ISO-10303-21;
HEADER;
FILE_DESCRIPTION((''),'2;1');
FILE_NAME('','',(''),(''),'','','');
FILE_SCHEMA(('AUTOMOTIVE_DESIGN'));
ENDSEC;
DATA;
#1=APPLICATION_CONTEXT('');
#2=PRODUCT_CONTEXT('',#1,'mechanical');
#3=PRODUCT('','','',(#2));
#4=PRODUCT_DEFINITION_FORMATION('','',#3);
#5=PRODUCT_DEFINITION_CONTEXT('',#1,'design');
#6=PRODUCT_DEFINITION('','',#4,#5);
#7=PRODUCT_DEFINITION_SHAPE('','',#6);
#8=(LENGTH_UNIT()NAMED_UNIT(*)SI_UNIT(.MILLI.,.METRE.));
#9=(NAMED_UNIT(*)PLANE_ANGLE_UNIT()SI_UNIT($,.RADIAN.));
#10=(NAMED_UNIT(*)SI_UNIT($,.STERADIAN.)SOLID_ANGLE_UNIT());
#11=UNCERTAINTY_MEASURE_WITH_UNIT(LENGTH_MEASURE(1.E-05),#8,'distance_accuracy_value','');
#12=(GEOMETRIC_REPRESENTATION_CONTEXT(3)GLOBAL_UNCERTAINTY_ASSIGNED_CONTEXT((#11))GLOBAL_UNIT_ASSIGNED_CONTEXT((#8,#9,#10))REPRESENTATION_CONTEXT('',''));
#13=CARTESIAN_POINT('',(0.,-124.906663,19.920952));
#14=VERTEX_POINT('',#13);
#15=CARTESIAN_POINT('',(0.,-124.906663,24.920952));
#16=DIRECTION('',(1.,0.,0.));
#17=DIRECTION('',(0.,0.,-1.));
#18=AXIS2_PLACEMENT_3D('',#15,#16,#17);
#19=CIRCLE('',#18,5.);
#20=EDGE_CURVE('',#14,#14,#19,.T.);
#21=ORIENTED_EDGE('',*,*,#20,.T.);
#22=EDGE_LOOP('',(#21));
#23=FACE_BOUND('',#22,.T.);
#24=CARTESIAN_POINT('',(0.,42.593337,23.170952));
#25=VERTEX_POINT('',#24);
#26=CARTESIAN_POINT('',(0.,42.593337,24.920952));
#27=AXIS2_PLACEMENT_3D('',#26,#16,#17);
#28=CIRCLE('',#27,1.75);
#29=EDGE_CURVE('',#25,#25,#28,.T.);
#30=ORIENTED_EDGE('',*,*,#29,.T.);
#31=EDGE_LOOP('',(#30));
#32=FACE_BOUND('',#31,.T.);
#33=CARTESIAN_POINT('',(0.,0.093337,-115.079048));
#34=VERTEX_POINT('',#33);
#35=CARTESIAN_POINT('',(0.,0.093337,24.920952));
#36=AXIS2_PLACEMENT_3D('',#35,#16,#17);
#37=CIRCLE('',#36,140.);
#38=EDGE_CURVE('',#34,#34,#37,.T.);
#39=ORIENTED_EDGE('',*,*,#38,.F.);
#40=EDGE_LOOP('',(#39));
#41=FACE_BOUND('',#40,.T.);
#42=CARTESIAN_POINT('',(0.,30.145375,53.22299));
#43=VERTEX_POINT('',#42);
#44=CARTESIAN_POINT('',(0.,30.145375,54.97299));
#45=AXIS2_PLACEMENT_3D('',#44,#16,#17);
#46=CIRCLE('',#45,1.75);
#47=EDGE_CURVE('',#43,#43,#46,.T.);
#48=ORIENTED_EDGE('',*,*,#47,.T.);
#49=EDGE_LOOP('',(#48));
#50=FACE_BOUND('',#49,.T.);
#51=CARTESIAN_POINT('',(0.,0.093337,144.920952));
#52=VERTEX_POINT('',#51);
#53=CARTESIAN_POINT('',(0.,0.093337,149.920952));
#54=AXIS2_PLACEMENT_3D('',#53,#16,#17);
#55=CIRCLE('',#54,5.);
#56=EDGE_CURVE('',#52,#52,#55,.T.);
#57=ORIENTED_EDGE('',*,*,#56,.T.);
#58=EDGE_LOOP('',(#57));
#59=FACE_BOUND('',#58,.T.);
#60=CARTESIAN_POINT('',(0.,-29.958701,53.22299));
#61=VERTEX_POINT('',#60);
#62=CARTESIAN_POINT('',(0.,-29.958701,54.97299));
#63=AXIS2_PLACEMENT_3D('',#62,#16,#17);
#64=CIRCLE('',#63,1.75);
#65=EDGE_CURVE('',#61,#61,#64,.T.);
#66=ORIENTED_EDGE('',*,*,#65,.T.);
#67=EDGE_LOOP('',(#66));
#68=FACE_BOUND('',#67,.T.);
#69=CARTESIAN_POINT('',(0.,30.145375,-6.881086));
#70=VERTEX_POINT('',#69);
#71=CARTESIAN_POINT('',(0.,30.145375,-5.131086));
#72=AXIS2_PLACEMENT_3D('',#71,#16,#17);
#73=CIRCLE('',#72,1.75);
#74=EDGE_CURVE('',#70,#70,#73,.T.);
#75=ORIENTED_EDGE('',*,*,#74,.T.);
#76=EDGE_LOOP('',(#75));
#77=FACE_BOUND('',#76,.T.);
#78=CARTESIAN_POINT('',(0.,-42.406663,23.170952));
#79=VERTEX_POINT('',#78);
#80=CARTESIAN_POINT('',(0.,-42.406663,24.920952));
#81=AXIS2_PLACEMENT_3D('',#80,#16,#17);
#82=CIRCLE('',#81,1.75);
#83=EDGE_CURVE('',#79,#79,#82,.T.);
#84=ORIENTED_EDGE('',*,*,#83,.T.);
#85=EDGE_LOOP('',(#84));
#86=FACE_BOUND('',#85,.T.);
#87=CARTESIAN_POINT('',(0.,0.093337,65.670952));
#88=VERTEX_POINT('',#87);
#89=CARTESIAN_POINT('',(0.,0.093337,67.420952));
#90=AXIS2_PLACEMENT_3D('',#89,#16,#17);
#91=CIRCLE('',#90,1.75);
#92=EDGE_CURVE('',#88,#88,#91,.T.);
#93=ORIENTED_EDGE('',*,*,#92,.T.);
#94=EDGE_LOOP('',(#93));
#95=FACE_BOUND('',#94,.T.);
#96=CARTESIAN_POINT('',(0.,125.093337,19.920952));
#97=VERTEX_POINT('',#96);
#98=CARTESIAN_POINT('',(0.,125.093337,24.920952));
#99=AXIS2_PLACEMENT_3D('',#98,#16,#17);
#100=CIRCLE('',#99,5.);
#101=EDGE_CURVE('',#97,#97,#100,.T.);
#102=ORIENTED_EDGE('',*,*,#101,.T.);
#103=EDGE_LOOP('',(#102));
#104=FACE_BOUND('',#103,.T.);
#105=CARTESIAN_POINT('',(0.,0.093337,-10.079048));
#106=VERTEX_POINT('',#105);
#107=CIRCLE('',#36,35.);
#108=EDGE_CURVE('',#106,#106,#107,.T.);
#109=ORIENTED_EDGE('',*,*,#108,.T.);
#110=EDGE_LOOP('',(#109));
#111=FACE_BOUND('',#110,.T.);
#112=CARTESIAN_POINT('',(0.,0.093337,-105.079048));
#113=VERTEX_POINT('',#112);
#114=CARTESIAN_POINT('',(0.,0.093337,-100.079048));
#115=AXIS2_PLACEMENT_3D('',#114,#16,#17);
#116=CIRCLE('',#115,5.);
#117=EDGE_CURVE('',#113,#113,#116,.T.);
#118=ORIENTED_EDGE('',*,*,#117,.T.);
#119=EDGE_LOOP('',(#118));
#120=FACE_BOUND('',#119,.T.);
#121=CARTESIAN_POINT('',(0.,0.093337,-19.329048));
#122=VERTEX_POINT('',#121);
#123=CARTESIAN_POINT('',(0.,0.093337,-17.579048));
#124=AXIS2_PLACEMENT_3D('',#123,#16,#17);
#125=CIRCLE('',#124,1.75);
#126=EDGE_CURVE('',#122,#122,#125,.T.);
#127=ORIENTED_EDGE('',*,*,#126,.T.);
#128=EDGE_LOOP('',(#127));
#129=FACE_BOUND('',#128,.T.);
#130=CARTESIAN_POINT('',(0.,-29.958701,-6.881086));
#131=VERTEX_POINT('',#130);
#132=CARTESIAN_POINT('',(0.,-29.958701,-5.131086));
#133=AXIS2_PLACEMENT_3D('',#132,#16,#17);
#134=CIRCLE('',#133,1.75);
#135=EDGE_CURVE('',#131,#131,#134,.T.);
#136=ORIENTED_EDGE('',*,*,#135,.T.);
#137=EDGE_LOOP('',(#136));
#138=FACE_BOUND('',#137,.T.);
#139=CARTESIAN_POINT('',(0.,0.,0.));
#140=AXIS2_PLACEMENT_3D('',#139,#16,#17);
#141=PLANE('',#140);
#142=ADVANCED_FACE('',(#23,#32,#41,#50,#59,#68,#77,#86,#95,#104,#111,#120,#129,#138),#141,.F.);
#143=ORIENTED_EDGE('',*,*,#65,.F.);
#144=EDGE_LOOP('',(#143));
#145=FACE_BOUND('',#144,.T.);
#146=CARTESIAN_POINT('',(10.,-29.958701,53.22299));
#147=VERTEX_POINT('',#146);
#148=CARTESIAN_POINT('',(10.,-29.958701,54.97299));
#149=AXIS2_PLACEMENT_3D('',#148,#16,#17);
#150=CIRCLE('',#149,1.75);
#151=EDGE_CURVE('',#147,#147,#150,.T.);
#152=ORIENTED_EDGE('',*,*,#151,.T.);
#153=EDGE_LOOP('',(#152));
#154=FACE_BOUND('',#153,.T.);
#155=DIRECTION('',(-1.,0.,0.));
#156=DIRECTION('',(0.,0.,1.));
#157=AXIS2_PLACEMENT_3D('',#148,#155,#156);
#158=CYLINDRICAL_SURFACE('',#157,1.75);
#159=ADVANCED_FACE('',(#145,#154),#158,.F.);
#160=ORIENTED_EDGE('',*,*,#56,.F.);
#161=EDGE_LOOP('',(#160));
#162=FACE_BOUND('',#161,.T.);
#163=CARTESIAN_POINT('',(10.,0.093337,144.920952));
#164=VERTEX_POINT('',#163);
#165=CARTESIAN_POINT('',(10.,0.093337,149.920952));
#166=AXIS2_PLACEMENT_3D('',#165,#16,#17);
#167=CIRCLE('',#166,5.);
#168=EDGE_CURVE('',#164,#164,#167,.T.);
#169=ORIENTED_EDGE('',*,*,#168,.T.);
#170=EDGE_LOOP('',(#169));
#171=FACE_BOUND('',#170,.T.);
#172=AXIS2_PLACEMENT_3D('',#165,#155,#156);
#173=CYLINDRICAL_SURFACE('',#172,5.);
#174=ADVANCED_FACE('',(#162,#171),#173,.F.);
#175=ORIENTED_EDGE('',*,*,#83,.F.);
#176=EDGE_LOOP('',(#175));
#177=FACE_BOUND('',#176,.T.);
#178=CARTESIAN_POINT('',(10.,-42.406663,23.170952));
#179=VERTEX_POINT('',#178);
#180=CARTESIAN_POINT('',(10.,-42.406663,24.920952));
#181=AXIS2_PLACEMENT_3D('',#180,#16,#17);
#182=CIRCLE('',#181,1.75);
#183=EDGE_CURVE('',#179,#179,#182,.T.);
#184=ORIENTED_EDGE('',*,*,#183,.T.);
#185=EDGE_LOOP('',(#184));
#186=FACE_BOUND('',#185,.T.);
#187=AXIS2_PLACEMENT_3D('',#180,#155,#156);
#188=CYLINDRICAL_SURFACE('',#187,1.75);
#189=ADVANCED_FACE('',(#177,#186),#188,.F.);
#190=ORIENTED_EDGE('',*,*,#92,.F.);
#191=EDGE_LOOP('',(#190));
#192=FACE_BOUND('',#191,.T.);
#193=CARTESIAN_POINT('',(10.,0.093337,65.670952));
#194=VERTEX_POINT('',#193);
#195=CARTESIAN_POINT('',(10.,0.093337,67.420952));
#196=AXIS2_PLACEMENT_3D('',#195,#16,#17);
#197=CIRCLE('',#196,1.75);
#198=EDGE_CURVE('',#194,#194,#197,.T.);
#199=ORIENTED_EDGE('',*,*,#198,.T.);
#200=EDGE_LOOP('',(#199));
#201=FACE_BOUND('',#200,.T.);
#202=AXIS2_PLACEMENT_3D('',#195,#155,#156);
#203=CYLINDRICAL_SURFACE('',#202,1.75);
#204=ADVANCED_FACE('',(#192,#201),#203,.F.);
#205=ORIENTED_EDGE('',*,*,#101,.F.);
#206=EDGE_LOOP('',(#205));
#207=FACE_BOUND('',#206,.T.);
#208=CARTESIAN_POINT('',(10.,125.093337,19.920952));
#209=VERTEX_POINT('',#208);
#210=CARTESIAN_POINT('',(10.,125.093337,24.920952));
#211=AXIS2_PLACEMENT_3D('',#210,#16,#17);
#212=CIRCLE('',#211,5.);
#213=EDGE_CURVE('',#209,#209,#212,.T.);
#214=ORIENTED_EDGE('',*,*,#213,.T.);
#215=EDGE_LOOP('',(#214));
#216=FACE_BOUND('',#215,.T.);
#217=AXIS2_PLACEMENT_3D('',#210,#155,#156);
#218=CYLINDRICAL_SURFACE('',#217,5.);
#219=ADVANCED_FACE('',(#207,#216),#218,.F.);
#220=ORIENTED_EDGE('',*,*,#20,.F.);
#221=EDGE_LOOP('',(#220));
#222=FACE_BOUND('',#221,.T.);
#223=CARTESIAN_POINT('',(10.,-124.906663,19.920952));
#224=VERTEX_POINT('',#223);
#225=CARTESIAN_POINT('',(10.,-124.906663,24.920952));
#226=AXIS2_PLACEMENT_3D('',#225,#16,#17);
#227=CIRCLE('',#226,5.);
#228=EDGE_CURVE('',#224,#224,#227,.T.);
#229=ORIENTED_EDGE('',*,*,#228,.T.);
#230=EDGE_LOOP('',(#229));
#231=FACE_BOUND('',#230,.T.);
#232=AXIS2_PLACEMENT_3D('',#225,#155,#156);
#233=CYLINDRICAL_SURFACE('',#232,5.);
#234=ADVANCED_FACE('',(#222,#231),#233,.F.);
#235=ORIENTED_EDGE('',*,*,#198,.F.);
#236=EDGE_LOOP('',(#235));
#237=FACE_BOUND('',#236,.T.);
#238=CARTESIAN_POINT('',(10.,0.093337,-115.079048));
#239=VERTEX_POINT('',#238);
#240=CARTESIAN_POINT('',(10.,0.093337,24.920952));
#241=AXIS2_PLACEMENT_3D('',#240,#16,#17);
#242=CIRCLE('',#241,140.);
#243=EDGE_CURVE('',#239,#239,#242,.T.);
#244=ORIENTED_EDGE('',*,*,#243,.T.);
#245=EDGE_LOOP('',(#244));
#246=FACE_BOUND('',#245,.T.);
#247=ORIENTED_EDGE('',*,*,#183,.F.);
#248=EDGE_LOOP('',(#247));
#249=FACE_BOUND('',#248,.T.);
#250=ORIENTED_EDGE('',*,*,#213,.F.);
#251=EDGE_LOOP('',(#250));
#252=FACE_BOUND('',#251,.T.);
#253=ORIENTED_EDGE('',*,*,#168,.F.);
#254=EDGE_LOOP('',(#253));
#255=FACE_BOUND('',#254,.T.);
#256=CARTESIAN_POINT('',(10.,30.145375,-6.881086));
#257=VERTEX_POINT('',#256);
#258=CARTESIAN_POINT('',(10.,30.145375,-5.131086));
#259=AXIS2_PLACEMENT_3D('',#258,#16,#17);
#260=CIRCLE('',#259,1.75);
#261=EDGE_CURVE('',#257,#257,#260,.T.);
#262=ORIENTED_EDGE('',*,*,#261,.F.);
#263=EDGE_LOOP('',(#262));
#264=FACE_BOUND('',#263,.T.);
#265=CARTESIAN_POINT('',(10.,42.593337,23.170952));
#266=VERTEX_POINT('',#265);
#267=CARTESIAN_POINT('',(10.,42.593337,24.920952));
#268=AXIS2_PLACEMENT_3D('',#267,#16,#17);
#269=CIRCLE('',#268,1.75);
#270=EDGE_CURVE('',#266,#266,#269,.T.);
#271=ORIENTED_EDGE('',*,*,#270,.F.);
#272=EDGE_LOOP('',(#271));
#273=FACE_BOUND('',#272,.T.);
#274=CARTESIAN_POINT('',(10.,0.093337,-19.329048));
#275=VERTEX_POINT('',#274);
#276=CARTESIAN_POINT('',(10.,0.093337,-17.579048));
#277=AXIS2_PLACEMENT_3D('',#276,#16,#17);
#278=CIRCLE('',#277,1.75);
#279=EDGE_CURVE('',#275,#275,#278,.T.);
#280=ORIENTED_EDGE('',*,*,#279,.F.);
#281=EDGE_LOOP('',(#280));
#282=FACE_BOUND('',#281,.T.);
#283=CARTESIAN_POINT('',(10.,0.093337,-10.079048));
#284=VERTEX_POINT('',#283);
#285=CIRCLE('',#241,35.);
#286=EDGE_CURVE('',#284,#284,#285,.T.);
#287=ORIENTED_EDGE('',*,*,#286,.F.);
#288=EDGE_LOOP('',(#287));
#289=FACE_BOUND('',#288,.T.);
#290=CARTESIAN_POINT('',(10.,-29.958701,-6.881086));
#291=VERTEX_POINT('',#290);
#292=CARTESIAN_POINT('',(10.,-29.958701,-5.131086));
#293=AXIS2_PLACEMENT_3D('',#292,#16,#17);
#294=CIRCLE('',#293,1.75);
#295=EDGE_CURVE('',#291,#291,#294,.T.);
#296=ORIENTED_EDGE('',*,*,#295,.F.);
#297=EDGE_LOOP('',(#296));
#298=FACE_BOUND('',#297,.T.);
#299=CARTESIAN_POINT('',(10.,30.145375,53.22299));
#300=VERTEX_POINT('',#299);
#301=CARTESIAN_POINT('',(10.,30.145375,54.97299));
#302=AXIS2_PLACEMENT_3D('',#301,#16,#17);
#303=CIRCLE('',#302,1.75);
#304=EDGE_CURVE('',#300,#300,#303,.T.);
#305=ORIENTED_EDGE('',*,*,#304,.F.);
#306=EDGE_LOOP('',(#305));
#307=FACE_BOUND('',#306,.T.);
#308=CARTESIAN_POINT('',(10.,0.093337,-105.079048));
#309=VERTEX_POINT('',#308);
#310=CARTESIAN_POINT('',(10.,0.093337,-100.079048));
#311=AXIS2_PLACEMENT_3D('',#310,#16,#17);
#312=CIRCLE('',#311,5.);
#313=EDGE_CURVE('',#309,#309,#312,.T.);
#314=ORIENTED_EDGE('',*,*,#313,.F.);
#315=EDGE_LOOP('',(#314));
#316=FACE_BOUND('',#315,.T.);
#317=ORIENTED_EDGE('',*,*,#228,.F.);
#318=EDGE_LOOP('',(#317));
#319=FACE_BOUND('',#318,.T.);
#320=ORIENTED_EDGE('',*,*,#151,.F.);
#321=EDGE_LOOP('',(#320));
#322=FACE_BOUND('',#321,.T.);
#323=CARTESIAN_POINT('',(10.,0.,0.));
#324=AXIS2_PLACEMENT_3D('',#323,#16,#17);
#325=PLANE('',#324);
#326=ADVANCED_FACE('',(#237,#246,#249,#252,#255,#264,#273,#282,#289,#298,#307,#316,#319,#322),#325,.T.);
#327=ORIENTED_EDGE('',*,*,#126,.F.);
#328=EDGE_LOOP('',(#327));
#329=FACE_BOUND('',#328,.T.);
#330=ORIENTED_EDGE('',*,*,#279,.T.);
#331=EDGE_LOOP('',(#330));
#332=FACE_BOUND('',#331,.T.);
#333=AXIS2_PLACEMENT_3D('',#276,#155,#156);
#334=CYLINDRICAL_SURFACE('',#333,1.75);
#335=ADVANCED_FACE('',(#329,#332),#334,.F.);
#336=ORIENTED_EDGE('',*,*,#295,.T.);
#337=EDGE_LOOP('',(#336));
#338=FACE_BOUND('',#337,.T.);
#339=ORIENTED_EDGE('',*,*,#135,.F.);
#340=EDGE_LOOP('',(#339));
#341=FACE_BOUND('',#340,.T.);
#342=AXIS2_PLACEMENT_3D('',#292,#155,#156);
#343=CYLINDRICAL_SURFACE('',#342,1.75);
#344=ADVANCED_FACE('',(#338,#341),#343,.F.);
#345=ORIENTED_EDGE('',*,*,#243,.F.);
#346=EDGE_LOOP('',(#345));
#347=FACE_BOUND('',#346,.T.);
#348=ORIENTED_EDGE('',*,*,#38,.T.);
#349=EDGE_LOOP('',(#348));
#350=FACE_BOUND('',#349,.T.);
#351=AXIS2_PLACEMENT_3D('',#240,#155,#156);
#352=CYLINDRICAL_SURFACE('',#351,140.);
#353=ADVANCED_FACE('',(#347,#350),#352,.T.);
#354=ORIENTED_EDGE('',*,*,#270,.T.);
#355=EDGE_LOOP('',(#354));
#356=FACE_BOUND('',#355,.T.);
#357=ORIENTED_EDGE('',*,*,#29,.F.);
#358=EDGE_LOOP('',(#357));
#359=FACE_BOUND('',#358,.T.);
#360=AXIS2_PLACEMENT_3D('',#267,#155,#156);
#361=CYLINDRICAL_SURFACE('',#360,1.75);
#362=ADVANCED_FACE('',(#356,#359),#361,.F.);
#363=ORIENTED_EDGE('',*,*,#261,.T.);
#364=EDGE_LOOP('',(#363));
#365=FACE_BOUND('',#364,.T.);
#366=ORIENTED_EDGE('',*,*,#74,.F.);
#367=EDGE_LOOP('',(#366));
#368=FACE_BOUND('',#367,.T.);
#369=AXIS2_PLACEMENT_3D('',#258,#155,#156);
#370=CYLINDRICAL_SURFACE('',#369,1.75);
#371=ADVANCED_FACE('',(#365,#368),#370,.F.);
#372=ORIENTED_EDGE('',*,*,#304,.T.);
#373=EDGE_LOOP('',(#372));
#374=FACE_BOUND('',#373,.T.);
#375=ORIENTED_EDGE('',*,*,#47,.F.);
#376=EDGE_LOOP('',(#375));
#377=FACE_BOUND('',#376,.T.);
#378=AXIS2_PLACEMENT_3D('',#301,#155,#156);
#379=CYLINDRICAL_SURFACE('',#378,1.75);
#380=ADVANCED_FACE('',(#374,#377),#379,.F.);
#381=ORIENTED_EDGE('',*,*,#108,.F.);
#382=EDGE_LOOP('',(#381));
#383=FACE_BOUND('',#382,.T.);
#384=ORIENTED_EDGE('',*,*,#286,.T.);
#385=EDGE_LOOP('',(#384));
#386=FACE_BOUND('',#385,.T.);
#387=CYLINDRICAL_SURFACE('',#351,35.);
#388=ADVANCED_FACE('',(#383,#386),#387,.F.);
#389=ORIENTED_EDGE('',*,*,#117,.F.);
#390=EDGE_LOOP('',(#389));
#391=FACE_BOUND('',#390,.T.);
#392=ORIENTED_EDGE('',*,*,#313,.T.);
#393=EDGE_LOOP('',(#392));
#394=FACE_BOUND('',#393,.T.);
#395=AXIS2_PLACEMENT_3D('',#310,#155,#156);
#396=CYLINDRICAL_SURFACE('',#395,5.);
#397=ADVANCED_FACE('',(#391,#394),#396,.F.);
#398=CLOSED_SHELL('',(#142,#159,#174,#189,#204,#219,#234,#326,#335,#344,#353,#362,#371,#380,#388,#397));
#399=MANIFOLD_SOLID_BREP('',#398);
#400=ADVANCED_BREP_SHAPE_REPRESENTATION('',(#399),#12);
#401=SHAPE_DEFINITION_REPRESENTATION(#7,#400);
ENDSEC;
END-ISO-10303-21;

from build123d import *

# Parameters (mm, degrees)
SKETCH_1_R      = 140
SKETCH_1_R_2    = 35
SKETCH_1_R_3    = 1.75
SKETCH_1_R_4    = 5
EXTRUDE_1_DEPTH = 10


with BuildPart() as part:
    # 草图1 → 凸台-拉伸1 (new body)
    with BuildSketch(Plane(origin=(0, 0, 0), x_dir=(0, 0, -1), z_dir=(1, 0, 0))):
        with Locations((-24.920952127, 0.093336899)):
            Circle(SKETCH_1_R)
        with Locations((-24.920952127, 0.093336899)):
            Circle(SKETCH_1_R_2, mode=Mode.SUBTRACT)
        with Locations((-24.920952127, 42.593336899)):
            Circle(SKETCH_1_R_3, mode=Mode.SUBTRACT)
        with Locations((5.131086073, 30.1453751)):
            Circle(SKETCH_1_R_3, mode=Mode.SUBTRACT)
        with Locations((17.579047873, 0.093336899)):
            Circle(SKETCH_1_R_3, mode=Mode.SUBTRACT)
        with Locations((5.131086073, -29.958701301)):
            Circle(SKETCH_1_R_3, mode=Mode.SUBTRACT)
        with Locations((-24.920952127, -42.406663101)):
            Circle(SKETCH_1_R_3, mode=Mode.SUBTRACT)
        with Locations((-54.972990328, -29.958701301)):
            Circle(SKETCH_1_R_3, mode=Mode.SUBTRACT)
        with Locations((-67.420952127, 0.093336899)):
            Circle(SKETCH_1_R_3, mode=Mode.SUBTRACT)
        with Locations((-54.972990328, 30.1453751)):
            Circle(SKETCH_1_R_3, mode=Mode.SUBTRACT)
        with Locations((-149.920952127, 0.093336899)):
            Circle(SKETCH_1_R_4, mode=Mode.SUBTRACT)
        with Locations((-24.920952127, 125.093336899)):
            Circle(SKETCH_1_R_4, mode=Mode.SUBTRACT)
        with Locations((100.079047873, 0.093336899)):
            Circle(SKETCH_1_R_4, mode=Mode.SUBTRACT)
        with Locations((-24.920952127, -124.906663101)):
            Circle(SKETCH_1_R_4, mode=Mode.SUBTRACT)
    extrude(amount=EXTRUDE_1_DEPTH)


solid = part.part
